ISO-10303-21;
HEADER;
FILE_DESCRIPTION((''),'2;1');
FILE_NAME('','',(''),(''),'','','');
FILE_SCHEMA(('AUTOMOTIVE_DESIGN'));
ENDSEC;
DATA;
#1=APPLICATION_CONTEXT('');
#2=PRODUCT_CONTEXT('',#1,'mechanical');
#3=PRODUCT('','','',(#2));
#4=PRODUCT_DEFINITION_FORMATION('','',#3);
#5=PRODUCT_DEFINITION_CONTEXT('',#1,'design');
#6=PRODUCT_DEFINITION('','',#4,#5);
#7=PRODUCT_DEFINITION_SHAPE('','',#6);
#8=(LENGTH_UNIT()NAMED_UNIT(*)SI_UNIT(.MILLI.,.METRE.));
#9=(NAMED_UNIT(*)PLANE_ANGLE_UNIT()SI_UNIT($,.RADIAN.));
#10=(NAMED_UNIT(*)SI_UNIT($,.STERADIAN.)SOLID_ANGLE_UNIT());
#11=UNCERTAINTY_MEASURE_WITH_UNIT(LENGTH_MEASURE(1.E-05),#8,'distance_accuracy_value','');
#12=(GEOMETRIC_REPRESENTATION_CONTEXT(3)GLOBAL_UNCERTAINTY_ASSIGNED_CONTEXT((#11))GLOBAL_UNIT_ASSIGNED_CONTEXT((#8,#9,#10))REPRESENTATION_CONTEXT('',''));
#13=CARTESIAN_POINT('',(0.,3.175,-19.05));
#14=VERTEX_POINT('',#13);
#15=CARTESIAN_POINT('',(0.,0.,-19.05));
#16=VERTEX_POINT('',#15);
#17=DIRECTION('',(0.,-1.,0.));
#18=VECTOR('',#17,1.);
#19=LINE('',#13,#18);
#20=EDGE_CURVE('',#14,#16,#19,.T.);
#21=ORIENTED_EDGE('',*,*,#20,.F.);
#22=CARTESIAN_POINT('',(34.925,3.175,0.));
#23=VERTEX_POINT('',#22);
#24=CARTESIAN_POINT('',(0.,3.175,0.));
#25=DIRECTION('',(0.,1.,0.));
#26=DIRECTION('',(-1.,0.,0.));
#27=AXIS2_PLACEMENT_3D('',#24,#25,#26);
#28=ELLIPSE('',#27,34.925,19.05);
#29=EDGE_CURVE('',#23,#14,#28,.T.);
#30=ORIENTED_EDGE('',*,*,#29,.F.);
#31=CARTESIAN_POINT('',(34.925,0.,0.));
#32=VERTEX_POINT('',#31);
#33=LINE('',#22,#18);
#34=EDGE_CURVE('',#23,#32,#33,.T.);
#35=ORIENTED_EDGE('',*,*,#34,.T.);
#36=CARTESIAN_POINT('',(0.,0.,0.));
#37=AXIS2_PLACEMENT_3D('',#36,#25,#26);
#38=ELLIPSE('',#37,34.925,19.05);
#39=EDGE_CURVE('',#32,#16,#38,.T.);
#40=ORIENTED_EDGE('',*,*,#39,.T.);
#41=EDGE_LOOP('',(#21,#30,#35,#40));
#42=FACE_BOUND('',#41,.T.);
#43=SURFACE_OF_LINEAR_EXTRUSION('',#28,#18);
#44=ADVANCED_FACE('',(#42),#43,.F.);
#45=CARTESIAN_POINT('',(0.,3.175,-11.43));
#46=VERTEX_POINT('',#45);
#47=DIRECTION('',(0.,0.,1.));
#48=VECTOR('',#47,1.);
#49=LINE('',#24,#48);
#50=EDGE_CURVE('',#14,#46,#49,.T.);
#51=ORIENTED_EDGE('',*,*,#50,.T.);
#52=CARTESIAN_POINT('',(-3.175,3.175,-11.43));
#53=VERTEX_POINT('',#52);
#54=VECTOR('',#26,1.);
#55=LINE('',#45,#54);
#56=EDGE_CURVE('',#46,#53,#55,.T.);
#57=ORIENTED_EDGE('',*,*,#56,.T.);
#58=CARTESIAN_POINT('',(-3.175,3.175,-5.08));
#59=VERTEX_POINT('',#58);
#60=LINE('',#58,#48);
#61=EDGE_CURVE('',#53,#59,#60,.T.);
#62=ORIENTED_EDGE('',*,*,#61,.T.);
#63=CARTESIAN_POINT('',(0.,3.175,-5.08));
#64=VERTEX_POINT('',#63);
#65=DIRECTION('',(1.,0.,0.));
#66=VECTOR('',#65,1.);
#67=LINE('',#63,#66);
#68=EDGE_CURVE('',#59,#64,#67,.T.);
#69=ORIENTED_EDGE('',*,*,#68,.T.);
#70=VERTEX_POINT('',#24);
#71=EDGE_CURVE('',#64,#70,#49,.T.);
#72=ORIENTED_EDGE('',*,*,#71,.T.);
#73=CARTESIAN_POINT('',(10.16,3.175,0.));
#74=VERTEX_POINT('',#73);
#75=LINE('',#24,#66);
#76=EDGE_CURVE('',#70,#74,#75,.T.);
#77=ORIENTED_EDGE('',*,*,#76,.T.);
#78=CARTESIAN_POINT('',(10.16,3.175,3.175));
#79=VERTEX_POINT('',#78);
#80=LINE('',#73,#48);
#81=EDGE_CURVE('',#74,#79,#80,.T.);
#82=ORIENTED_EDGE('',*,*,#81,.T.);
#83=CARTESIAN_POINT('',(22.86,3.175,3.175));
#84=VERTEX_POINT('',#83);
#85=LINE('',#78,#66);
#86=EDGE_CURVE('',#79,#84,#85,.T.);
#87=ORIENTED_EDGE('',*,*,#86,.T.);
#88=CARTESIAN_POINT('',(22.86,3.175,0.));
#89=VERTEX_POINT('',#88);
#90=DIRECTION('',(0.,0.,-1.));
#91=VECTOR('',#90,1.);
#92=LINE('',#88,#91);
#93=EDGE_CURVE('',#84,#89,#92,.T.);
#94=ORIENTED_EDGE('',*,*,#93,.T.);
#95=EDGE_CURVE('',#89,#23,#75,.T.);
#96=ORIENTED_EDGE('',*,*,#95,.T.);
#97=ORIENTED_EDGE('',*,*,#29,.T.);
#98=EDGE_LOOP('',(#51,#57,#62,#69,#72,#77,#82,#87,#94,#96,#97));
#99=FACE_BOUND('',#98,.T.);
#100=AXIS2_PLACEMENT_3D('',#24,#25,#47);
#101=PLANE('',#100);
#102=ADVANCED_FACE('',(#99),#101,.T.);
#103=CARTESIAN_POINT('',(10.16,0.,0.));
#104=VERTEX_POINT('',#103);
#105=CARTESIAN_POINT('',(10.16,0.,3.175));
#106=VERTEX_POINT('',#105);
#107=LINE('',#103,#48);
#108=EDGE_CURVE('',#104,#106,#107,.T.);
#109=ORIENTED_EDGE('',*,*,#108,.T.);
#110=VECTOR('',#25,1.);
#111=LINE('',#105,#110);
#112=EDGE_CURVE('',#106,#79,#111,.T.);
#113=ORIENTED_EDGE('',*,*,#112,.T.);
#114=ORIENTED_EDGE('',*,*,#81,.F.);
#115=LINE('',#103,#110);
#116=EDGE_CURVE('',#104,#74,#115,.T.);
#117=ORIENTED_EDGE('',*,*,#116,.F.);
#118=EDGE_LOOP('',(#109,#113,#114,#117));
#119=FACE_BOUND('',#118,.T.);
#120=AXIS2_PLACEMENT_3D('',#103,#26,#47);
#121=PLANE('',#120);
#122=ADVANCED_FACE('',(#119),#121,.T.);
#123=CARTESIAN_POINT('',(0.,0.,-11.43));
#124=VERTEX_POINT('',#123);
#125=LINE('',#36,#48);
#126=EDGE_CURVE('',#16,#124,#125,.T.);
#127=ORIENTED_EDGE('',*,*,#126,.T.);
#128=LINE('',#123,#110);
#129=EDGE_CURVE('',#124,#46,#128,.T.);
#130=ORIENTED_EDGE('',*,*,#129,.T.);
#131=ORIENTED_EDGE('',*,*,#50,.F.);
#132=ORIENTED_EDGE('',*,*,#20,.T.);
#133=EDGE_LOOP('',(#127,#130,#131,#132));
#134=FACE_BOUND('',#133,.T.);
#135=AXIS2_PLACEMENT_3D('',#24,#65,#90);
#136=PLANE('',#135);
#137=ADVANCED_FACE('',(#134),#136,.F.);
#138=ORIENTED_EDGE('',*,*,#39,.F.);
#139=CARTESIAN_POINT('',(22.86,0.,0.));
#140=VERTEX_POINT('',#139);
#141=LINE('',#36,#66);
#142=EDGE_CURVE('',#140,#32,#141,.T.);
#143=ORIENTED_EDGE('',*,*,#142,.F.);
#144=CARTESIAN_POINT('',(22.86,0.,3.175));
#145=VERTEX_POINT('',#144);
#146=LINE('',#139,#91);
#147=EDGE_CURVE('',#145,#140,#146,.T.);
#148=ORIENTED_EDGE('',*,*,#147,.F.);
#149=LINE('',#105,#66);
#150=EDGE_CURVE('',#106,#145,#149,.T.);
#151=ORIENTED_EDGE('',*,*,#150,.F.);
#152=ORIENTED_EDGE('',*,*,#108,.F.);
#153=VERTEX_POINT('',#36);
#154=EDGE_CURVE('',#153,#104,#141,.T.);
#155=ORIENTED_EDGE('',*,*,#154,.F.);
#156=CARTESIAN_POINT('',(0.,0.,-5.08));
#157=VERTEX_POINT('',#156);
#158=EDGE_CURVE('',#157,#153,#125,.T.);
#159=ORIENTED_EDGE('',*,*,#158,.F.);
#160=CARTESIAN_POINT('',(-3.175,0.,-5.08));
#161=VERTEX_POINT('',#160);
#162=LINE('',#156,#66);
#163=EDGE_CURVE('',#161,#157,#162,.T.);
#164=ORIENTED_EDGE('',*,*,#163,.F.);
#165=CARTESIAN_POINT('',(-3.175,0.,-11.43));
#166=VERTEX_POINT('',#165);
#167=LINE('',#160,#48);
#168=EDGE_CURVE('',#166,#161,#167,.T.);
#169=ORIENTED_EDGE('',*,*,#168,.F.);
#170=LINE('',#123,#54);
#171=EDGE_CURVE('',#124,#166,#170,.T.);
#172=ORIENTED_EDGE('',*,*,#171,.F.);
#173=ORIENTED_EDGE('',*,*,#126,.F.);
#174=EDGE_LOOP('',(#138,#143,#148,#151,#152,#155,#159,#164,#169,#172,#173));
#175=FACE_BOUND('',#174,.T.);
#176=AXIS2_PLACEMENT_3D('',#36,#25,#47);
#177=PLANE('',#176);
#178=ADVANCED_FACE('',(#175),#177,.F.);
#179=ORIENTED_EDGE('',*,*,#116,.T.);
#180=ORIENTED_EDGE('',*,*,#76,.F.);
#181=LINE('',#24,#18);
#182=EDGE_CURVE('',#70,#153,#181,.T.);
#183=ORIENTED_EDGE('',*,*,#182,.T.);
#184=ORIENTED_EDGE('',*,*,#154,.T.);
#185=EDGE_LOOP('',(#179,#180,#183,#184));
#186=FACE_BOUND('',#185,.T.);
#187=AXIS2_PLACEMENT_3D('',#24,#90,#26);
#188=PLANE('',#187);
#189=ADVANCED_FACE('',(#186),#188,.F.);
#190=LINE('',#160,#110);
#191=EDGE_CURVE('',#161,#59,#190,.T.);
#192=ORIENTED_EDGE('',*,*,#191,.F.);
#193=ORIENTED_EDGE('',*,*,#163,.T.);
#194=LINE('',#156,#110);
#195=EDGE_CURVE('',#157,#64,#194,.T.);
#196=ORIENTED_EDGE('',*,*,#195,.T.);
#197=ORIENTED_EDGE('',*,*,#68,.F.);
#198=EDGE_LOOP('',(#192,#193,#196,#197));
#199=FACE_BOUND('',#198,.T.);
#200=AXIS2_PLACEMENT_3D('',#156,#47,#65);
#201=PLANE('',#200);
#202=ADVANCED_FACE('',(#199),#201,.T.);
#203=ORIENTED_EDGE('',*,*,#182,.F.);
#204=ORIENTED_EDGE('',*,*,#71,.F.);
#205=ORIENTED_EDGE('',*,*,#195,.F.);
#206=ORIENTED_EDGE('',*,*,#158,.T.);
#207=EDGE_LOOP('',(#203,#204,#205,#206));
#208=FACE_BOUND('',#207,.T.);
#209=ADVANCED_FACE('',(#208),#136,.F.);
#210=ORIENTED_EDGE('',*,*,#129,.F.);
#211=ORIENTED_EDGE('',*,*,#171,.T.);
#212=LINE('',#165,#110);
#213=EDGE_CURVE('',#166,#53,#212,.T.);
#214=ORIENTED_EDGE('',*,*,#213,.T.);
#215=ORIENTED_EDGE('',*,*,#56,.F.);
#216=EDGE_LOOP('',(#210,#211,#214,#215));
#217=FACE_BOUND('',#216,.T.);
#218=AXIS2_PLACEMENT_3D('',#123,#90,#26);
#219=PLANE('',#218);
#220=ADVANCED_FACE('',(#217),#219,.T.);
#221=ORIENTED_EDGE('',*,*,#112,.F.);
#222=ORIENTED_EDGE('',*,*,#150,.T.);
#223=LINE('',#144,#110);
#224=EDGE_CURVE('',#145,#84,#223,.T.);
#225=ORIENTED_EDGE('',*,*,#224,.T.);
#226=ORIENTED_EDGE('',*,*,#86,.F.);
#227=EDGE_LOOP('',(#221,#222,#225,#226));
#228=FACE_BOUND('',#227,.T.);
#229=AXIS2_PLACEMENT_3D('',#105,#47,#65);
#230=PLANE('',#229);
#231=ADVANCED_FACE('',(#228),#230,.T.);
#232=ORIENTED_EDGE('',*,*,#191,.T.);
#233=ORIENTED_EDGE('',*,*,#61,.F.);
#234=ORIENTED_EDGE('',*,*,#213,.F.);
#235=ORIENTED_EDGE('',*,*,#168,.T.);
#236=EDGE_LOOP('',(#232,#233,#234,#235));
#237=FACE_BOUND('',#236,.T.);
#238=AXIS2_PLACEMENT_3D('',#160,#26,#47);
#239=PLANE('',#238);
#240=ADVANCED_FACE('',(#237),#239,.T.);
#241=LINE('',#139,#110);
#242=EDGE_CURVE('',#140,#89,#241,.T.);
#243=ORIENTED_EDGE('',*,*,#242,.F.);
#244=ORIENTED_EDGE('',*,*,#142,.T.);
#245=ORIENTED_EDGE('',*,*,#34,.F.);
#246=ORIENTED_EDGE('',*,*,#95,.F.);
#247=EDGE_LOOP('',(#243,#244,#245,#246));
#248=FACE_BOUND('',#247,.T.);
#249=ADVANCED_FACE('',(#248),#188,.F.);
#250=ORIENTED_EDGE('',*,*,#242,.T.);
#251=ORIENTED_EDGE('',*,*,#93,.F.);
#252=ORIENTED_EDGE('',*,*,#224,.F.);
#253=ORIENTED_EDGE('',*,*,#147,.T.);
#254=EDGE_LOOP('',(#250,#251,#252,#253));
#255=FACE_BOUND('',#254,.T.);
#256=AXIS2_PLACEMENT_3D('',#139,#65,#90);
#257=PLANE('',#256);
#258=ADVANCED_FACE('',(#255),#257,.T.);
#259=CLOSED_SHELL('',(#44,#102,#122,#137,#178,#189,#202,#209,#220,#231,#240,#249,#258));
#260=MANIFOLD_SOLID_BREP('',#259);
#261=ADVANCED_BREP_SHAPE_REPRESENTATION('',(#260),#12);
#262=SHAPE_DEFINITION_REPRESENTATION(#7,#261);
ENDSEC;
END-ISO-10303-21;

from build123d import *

# Parameters (mm, degrees)
BOSS_EXTRUDE2_DEPTH = 3.175
SKETCH6_W           = 3.175
SKETCH6_H           = 6.35
SKETCH6_W_2         = 12.7
SKETCH6_H_2         = 3.175
BOSS_EXTRUDE4_DEPTH = 3.175


with BuildPart() as part:
    # Sketch5 → Boss-Extrude2 (new body)
    with BuildSketch(Plane(origin=(0, 0, 0), x_dir=(1, 0, 0), z_dir=(0, 1, 0))):
        with BuildLine():
            Line((0, 0), (0, 19.05))
            add(Edge.make_bspline(
                [(34.925, 0), (34.925, 19.05), (0, 19.05)],
                knots=[3.141592654, 3.141592654, 3.141592654, 4.71238898, 4.71238898, 4.71238898], degree=2, weights=[1, 0.707106781, 1]))
            Line((34.925, 0), (0, 0))
        make_face()
    extrude(amount=BOSS_EXTRUDE2_DEPTH)

    # Sketch6 → Boss-Extrude4 (add)
    with BuildSketch(Plane(origin=(0, 3.175, 0), x_dir=(1, 0, 0), z_dir=(0, 1, 0))):
        with Locations((-1.5875, 8.255)):
            Rectangle(SKETCH6_W, SKETCH6_H)
        with Locations((16.51, -1.5875)):
            Rectangle(SKETCH6_W_2, SKETCH6_H_2)
    extrude(amount=-BOSS_EXTRUDE4_DEPTH)


solid = part.part
